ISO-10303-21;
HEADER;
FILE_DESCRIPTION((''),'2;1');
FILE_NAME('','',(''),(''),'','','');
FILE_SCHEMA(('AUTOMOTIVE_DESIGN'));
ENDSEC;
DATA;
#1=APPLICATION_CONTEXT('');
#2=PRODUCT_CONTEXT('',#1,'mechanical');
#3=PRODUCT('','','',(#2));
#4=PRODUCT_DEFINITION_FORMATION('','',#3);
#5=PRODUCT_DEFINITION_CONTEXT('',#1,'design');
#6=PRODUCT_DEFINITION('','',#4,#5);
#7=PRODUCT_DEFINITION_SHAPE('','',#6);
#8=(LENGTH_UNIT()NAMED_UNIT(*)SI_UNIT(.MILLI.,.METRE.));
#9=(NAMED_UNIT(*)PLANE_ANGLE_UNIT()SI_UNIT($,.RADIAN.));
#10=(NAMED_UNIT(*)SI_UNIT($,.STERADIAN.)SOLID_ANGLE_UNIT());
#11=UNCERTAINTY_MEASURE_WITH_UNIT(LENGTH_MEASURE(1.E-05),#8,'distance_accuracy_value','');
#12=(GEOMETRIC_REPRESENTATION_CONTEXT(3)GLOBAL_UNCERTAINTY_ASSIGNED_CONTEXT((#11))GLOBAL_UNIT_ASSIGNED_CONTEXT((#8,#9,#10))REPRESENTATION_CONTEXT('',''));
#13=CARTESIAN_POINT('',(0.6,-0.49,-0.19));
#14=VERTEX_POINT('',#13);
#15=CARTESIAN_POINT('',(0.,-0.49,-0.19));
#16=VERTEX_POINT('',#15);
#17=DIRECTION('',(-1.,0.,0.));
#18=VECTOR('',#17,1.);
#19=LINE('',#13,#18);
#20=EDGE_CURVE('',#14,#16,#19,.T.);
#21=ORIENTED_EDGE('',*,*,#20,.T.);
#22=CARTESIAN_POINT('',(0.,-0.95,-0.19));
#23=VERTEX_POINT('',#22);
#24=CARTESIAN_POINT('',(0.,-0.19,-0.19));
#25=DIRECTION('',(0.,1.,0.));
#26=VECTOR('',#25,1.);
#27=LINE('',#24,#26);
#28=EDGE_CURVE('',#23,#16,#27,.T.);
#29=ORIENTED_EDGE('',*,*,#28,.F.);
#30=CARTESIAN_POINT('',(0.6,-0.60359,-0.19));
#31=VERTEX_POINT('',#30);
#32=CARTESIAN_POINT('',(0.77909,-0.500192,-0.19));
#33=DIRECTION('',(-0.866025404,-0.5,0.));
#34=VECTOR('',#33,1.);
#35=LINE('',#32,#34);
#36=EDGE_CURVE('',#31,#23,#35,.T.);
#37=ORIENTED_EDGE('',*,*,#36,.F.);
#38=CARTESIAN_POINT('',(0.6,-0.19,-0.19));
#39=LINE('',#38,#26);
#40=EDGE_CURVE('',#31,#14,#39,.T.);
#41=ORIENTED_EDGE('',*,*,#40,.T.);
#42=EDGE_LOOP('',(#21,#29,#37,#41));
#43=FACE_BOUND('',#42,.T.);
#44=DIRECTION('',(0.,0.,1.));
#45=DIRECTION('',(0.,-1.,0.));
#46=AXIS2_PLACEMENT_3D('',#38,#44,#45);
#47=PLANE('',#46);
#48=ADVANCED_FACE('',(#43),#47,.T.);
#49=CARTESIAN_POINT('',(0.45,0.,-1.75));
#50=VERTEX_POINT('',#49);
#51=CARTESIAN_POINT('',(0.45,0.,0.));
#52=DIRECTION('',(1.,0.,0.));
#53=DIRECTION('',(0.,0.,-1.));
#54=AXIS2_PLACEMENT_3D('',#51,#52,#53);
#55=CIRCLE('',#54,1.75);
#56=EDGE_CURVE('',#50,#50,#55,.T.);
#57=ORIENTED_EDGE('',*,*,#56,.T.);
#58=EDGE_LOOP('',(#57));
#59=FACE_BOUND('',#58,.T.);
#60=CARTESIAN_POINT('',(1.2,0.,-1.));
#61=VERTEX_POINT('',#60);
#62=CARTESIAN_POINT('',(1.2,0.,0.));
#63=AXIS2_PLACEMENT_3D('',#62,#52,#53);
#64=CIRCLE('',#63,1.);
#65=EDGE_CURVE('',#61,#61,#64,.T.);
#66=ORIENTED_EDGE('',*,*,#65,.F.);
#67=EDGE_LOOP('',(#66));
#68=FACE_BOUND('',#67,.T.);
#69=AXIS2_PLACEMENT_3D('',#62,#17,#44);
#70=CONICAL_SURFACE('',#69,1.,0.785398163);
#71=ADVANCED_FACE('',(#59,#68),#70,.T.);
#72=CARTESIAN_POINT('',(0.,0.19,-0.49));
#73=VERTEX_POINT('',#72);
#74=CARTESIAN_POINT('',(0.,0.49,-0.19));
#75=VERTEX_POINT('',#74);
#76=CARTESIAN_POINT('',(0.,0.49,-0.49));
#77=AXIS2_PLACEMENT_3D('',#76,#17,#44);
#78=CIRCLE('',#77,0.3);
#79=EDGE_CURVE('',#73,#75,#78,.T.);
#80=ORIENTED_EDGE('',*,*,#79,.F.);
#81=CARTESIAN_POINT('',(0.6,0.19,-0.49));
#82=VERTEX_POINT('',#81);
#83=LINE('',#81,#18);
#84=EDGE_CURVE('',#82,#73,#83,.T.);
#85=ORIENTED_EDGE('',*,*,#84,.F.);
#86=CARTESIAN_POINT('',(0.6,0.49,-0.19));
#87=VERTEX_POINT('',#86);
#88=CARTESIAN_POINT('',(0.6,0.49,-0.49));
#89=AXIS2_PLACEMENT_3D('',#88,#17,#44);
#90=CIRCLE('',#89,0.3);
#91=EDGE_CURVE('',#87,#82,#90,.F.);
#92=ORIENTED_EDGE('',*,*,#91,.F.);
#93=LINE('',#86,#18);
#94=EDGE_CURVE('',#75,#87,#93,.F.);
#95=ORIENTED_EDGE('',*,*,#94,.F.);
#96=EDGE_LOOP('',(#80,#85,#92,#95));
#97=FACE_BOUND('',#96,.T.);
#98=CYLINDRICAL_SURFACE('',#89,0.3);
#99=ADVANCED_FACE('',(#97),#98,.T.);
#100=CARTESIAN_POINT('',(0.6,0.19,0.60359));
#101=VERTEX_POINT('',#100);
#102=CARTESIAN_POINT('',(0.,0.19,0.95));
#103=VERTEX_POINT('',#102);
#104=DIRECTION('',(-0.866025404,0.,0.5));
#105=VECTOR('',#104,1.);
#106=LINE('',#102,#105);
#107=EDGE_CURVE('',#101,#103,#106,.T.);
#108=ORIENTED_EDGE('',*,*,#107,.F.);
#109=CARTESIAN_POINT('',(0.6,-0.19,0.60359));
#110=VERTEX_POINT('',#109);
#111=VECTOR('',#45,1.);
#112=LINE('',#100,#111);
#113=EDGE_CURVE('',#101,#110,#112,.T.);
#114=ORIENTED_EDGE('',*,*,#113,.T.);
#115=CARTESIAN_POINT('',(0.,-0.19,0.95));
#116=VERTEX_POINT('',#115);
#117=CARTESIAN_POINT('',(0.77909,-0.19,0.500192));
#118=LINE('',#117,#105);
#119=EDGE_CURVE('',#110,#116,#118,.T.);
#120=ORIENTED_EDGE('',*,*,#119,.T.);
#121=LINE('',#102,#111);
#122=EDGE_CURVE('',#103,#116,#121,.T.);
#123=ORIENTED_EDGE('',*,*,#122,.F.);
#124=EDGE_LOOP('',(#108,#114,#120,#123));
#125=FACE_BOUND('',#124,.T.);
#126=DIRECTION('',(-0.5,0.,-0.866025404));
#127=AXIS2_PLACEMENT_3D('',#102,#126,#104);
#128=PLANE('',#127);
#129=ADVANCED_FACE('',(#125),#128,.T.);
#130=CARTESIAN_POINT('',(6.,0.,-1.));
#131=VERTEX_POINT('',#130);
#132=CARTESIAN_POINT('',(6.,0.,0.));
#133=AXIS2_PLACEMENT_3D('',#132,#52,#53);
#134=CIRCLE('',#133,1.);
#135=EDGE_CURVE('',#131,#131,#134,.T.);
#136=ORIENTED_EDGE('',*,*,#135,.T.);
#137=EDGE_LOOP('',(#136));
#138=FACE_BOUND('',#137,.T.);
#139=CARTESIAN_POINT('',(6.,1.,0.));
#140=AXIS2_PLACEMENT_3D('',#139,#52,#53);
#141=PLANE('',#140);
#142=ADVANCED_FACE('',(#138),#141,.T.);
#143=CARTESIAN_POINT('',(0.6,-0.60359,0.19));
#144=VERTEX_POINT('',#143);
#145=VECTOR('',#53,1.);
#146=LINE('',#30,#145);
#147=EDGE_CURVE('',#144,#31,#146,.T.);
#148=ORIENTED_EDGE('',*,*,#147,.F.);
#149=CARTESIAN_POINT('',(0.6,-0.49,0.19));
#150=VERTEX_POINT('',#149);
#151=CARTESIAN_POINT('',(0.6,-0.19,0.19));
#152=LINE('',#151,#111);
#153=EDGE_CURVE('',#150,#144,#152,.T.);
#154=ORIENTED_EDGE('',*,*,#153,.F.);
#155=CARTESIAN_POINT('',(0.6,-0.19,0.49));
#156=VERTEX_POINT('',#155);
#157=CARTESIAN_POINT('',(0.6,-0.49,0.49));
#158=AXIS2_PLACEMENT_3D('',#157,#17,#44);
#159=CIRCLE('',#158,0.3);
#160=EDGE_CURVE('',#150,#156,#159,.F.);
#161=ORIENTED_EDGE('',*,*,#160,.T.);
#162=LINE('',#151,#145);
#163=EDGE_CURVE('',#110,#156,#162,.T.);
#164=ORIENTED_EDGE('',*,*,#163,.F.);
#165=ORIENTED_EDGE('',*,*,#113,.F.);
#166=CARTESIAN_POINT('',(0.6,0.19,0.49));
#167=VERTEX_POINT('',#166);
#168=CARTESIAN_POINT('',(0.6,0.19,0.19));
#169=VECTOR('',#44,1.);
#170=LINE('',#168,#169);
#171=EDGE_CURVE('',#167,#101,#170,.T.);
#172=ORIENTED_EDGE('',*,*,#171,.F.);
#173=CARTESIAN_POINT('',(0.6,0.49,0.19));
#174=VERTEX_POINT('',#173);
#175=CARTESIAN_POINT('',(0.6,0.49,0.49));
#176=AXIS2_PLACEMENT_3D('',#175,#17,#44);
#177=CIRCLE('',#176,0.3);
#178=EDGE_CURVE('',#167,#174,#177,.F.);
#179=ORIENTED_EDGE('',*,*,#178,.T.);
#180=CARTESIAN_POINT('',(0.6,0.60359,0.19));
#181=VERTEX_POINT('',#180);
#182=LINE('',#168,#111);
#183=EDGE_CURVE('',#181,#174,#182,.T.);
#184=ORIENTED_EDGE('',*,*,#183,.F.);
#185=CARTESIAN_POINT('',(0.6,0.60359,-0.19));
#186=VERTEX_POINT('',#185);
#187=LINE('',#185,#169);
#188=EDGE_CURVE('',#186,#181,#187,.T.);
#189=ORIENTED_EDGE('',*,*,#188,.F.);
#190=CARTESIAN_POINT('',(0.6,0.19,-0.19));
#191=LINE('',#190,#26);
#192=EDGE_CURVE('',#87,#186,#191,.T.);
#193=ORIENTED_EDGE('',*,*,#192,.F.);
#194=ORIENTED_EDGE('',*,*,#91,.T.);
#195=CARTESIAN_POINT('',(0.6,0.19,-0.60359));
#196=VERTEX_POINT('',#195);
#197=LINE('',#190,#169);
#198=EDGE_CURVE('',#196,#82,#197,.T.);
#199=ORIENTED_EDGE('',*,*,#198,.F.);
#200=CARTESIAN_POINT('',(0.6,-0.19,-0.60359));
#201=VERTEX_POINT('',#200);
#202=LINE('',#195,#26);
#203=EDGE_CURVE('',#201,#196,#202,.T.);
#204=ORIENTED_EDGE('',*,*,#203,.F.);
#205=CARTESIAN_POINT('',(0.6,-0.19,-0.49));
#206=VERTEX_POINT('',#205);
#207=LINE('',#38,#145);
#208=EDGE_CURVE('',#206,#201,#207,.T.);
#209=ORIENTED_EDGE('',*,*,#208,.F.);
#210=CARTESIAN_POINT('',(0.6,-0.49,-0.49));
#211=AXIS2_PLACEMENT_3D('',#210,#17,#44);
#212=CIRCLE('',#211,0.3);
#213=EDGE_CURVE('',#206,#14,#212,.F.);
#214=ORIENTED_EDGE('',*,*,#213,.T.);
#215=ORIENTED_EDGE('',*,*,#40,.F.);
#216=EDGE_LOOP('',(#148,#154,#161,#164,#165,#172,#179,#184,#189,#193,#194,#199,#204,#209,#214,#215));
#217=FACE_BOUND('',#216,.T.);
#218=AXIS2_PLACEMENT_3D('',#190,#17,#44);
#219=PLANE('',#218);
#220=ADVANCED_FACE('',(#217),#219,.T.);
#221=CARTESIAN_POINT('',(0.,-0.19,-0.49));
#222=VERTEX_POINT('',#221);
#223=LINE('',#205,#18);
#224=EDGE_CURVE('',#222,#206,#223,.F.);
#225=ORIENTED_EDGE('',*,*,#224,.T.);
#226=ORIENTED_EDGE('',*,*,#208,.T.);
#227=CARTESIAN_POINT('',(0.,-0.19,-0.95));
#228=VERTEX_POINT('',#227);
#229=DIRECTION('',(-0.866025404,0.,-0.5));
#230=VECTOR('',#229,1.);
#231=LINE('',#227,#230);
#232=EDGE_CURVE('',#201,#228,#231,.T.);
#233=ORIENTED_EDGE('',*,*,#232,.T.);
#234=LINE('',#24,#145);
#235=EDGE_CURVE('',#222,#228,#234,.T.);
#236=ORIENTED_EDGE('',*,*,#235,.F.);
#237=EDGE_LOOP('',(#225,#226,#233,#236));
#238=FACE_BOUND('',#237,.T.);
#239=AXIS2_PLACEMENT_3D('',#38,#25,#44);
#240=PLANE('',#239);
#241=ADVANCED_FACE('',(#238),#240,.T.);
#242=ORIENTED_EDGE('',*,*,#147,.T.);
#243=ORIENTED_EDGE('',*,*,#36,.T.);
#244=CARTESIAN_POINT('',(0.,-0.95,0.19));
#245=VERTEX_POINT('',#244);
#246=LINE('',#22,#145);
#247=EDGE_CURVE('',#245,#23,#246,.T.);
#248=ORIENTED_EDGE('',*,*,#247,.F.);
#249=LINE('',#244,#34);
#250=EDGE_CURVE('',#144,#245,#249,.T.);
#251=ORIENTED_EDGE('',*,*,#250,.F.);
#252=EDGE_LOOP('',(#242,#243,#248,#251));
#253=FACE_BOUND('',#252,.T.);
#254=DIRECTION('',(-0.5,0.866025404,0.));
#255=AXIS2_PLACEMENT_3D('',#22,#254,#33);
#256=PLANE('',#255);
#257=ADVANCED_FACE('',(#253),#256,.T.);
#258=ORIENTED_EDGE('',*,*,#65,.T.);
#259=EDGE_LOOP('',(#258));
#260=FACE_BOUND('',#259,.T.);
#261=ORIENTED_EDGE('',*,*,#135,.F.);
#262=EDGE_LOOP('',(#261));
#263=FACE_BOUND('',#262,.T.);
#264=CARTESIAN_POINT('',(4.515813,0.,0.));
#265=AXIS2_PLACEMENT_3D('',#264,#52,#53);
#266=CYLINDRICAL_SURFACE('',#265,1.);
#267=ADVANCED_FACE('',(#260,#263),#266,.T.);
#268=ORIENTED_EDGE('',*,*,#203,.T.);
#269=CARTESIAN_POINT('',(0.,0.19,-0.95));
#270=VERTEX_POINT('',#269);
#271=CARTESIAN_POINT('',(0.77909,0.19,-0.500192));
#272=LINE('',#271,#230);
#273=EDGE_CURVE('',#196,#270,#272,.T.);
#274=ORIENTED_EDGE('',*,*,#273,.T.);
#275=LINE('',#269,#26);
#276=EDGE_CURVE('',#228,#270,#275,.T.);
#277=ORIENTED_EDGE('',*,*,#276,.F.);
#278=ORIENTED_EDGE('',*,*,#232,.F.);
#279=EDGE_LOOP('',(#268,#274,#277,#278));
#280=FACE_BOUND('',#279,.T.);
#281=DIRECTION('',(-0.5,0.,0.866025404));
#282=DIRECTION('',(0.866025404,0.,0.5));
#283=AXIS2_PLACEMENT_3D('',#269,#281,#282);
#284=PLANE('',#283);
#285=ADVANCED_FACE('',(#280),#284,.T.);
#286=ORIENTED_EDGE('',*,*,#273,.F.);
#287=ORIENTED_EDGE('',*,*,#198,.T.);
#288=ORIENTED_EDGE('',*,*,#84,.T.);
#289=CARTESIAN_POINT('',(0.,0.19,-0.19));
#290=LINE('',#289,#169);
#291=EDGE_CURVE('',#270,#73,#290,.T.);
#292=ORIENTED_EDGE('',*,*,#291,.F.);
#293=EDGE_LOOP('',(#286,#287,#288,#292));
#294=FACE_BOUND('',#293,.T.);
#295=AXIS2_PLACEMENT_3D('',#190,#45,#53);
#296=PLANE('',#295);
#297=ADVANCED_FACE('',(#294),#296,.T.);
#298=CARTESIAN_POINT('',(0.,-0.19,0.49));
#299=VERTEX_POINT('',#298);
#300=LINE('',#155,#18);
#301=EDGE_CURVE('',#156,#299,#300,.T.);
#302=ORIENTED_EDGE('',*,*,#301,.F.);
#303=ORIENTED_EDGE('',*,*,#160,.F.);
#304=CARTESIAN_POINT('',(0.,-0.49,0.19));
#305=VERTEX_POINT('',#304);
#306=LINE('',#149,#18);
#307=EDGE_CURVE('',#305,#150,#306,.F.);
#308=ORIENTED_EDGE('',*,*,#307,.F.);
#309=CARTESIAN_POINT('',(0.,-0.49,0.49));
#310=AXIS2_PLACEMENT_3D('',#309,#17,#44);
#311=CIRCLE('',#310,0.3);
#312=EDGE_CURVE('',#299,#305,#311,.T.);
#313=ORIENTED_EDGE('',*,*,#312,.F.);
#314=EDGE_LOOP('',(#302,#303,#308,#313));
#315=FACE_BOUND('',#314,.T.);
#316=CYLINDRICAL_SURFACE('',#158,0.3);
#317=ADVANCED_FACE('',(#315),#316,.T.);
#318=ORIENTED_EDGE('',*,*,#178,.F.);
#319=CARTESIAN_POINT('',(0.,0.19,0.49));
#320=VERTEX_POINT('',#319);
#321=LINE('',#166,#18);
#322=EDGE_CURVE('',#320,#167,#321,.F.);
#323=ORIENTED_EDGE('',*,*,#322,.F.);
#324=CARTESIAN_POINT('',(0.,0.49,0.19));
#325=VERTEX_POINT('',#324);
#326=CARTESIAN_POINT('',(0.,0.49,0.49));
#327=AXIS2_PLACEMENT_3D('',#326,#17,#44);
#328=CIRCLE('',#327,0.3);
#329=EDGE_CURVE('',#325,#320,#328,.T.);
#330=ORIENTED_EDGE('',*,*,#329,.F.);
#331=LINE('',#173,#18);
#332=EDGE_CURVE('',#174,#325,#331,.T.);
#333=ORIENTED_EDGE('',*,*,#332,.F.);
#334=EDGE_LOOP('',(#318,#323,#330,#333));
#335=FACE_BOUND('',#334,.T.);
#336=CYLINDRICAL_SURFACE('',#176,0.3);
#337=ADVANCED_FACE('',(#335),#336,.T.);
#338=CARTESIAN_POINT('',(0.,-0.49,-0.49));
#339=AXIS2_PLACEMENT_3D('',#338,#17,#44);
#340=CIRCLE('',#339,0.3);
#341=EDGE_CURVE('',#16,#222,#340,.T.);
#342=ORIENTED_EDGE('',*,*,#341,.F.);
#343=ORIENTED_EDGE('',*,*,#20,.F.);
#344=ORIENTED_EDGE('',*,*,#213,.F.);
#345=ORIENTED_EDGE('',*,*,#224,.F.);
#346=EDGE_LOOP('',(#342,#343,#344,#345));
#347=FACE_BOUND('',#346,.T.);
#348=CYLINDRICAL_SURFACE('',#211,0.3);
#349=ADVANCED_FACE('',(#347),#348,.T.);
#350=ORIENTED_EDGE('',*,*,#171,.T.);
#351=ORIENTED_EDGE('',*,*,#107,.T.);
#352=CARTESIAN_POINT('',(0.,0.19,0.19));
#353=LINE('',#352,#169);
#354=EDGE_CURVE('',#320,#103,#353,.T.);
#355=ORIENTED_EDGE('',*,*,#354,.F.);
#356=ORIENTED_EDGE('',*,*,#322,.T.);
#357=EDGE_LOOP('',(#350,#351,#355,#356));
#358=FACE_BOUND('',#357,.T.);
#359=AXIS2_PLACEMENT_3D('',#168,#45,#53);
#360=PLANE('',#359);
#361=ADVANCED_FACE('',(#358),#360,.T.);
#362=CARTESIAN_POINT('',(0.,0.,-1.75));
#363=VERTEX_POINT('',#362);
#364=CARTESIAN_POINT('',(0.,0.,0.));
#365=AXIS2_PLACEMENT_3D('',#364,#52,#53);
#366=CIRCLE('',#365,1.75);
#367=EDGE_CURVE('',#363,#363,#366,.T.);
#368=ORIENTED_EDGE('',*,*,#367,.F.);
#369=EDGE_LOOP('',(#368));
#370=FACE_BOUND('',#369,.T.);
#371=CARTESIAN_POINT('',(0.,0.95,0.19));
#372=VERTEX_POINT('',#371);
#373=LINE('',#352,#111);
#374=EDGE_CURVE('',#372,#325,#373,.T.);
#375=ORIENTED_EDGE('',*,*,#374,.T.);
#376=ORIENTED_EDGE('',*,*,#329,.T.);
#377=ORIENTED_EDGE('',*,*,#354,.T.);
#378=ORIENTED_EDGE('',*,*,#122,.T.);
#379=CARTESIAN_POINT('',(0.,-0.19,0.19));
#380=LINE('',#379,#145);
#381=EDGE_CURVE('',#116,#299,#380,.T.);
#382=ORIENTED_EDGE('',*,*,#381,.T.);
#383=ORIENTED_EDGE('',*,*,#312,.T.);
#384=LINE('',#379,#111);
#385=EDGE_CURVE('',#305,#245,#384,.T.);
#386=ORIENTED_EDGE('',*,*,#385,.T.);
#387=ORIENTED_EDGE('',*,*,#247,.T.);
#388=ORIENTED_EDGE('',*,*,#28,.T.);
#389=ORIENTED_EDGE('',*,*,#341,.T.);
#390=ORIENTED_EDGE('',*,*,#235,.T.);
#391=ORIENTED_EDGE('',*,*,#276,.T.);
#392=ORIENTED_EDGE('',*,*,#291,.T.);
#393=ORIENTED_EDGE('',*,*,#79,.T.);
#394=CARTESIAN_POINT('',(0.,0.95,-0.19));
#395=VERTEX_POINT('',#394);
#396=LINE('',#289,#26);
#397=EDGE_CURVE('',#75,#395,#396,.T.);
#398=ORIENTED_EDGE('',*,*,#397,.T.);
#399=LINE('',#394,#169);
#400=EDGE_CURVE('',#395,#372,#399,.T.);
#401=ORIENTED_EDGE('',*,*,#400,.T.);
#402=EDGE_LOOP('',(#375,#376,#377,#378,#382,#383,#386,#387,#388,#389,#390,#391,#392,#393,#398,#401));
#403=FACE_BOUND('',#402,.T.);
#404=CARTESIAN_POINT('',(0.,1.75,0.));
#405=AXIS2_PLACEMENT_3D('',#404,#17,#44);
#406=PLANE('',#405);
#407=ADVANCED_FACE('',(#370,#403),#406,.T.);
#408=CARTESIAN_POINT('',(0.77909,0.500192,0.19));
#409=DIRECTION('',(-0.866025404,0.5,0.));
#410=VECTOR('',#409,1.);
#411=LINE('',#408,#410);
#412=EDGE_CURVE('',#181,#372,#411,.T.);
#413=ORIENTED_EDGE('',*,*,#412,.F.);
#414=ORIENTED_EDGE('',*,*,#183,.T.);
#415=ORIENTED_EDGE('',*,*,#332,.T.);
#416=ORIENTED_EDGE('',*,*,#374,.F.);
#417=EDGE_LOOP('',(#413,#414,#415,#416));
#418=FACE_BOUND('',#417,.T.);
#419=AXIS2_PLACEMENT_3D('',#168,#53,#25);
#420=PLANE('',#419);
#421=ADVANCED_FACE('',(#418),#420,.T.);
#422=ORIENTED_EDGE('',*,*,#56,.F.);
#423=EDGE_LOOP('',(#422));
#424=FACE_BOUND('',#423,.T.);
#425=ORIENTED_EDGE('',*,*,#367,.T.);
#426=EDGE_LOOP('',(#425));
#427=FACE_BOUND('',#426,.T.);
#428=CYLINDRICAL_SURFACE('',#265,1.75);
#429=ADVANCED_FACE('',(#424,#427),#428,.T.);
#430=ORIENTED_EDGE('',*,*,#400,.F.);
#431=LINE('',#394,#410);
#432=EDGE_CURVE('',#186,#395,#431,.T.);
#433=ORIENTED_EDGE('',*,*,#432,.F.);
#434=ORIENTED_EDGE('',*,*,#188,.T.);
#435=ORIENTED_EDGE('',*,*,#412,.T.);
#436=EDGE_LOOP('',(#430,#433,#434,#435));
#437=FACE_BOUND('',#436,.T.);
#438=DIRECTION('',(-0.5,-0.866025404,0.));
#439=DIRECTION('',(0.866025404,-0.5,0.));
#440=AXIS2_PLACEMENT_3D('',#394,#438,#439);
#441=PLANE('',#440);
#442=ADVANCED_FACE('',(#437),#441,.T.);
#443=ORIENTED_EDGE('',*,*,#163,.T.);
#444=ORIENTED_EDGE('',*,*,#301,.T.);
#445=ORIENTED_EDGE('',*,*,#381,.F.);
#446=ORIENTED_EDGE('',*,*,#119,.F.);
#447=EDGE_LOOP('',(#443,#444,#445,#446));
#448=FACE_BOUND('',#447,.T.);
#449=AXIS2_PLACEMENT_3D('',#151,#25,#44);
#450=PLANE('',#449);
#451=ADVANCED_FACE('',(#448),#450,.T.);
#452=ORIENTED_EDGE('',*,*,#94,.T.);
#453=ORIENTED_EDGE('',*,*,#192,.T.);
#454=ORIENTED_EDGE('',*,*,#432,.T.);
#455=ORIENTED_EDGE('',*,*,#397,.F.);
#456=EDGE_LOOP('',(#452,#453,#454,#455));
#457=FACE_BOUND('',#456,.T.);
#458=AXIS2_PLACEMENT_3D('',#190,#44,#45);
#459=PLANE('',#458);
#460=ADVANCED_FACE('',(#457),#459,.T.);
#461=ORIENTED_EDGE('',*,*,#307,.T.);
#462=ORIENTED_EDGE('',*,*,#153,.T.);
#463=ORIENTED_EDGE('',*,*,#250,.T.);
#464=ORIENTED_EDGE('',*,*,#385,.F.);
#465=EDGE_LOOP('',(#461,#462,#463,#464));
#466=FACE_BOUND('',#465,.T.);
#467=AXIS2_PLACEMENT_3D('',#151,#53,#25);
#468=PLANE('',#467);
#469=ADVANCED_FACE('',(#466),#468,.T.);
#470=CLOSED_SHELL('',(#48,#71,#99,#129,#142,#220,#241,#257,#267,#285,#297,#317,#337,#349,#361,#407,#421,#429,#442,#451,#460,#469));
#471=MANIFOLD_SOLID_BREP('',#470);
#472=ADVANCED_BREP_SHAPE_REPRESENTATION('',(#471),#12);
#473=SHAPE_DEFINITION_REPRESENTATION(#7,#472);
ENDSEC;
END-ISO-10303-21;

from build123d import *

# Parameters (mm, degrees)
CROSSRECESS_DEPTH = 0.6
DRAFT9_ANGLE      = 30
FILLET5_R         = 0.3


with BuildPart() as part:
    # Sketch1 → Base (revolve)
    with BuildSketch(Plane.XY, mode=Mode.PRIVATE) as base_sk:
        Polygon((6, 1), (2, 1), (1.2, 1), (0.45, 1.75), (0, 1.75), (0, 0), (6, 0), align=None)
    revolve(base_sk.sketch.rotate(Axis((4.515812911, 0, 0), (-1, 0, 0)), 90), axis=Axis((4.515812911, 0, 0), (-1, 0, 0)))

    # Sketch6 → CrossRecess (cut)
    with BuildSketch(Plane(origin=(0, 0, 0), x_dir=(0, 0, -1), z_dir=(1, 0, 0))):
        Polygon((0.19, 0.19), (0.19, 0.95), (-0.19, 0.95), (-0.19, 0.19), (-0.95, 0.19), (-0.95, -0.19), (-0.19, -0.19), (-0.19, -0.95), (0.19, -0.95), (0.19, -0.19), (0.95, -0.19), (0.95, 0.19), align=None)
    extrude(amount=CROSSRECESS_DEPTH, mode=Mode.SUBTRACT)

    # Draft9
    draft9_faces = [part.faces().sort_by_distance(p)[0] for p in [
        (0.3, 0.95, 0),
        (0.3, 0, 0.95),
        (0.3, -0.95, 0),
        (0.3, 0, -0.95),
    ]]
    draft(draft9_faces, Plane(origin=(0, 1.75, 0), x_dir=(0, 0, -1), z_dir=(-1, 0, 0)), DRAFT9_ANGLE)

    # Fillet5
    fillet5_edges = [part.edges().sort_by_distance(p)[0] for p in [
        (0.3, 0.19, 0.19),
        (0.3, -0.19, 0.19),
        (0.3, -0.19, -0.19),
        (0.3, 0.19, -0.19),
    ]]
    fillet(fillet5_edges, radius=FILLET5_R)


solid = part.part
